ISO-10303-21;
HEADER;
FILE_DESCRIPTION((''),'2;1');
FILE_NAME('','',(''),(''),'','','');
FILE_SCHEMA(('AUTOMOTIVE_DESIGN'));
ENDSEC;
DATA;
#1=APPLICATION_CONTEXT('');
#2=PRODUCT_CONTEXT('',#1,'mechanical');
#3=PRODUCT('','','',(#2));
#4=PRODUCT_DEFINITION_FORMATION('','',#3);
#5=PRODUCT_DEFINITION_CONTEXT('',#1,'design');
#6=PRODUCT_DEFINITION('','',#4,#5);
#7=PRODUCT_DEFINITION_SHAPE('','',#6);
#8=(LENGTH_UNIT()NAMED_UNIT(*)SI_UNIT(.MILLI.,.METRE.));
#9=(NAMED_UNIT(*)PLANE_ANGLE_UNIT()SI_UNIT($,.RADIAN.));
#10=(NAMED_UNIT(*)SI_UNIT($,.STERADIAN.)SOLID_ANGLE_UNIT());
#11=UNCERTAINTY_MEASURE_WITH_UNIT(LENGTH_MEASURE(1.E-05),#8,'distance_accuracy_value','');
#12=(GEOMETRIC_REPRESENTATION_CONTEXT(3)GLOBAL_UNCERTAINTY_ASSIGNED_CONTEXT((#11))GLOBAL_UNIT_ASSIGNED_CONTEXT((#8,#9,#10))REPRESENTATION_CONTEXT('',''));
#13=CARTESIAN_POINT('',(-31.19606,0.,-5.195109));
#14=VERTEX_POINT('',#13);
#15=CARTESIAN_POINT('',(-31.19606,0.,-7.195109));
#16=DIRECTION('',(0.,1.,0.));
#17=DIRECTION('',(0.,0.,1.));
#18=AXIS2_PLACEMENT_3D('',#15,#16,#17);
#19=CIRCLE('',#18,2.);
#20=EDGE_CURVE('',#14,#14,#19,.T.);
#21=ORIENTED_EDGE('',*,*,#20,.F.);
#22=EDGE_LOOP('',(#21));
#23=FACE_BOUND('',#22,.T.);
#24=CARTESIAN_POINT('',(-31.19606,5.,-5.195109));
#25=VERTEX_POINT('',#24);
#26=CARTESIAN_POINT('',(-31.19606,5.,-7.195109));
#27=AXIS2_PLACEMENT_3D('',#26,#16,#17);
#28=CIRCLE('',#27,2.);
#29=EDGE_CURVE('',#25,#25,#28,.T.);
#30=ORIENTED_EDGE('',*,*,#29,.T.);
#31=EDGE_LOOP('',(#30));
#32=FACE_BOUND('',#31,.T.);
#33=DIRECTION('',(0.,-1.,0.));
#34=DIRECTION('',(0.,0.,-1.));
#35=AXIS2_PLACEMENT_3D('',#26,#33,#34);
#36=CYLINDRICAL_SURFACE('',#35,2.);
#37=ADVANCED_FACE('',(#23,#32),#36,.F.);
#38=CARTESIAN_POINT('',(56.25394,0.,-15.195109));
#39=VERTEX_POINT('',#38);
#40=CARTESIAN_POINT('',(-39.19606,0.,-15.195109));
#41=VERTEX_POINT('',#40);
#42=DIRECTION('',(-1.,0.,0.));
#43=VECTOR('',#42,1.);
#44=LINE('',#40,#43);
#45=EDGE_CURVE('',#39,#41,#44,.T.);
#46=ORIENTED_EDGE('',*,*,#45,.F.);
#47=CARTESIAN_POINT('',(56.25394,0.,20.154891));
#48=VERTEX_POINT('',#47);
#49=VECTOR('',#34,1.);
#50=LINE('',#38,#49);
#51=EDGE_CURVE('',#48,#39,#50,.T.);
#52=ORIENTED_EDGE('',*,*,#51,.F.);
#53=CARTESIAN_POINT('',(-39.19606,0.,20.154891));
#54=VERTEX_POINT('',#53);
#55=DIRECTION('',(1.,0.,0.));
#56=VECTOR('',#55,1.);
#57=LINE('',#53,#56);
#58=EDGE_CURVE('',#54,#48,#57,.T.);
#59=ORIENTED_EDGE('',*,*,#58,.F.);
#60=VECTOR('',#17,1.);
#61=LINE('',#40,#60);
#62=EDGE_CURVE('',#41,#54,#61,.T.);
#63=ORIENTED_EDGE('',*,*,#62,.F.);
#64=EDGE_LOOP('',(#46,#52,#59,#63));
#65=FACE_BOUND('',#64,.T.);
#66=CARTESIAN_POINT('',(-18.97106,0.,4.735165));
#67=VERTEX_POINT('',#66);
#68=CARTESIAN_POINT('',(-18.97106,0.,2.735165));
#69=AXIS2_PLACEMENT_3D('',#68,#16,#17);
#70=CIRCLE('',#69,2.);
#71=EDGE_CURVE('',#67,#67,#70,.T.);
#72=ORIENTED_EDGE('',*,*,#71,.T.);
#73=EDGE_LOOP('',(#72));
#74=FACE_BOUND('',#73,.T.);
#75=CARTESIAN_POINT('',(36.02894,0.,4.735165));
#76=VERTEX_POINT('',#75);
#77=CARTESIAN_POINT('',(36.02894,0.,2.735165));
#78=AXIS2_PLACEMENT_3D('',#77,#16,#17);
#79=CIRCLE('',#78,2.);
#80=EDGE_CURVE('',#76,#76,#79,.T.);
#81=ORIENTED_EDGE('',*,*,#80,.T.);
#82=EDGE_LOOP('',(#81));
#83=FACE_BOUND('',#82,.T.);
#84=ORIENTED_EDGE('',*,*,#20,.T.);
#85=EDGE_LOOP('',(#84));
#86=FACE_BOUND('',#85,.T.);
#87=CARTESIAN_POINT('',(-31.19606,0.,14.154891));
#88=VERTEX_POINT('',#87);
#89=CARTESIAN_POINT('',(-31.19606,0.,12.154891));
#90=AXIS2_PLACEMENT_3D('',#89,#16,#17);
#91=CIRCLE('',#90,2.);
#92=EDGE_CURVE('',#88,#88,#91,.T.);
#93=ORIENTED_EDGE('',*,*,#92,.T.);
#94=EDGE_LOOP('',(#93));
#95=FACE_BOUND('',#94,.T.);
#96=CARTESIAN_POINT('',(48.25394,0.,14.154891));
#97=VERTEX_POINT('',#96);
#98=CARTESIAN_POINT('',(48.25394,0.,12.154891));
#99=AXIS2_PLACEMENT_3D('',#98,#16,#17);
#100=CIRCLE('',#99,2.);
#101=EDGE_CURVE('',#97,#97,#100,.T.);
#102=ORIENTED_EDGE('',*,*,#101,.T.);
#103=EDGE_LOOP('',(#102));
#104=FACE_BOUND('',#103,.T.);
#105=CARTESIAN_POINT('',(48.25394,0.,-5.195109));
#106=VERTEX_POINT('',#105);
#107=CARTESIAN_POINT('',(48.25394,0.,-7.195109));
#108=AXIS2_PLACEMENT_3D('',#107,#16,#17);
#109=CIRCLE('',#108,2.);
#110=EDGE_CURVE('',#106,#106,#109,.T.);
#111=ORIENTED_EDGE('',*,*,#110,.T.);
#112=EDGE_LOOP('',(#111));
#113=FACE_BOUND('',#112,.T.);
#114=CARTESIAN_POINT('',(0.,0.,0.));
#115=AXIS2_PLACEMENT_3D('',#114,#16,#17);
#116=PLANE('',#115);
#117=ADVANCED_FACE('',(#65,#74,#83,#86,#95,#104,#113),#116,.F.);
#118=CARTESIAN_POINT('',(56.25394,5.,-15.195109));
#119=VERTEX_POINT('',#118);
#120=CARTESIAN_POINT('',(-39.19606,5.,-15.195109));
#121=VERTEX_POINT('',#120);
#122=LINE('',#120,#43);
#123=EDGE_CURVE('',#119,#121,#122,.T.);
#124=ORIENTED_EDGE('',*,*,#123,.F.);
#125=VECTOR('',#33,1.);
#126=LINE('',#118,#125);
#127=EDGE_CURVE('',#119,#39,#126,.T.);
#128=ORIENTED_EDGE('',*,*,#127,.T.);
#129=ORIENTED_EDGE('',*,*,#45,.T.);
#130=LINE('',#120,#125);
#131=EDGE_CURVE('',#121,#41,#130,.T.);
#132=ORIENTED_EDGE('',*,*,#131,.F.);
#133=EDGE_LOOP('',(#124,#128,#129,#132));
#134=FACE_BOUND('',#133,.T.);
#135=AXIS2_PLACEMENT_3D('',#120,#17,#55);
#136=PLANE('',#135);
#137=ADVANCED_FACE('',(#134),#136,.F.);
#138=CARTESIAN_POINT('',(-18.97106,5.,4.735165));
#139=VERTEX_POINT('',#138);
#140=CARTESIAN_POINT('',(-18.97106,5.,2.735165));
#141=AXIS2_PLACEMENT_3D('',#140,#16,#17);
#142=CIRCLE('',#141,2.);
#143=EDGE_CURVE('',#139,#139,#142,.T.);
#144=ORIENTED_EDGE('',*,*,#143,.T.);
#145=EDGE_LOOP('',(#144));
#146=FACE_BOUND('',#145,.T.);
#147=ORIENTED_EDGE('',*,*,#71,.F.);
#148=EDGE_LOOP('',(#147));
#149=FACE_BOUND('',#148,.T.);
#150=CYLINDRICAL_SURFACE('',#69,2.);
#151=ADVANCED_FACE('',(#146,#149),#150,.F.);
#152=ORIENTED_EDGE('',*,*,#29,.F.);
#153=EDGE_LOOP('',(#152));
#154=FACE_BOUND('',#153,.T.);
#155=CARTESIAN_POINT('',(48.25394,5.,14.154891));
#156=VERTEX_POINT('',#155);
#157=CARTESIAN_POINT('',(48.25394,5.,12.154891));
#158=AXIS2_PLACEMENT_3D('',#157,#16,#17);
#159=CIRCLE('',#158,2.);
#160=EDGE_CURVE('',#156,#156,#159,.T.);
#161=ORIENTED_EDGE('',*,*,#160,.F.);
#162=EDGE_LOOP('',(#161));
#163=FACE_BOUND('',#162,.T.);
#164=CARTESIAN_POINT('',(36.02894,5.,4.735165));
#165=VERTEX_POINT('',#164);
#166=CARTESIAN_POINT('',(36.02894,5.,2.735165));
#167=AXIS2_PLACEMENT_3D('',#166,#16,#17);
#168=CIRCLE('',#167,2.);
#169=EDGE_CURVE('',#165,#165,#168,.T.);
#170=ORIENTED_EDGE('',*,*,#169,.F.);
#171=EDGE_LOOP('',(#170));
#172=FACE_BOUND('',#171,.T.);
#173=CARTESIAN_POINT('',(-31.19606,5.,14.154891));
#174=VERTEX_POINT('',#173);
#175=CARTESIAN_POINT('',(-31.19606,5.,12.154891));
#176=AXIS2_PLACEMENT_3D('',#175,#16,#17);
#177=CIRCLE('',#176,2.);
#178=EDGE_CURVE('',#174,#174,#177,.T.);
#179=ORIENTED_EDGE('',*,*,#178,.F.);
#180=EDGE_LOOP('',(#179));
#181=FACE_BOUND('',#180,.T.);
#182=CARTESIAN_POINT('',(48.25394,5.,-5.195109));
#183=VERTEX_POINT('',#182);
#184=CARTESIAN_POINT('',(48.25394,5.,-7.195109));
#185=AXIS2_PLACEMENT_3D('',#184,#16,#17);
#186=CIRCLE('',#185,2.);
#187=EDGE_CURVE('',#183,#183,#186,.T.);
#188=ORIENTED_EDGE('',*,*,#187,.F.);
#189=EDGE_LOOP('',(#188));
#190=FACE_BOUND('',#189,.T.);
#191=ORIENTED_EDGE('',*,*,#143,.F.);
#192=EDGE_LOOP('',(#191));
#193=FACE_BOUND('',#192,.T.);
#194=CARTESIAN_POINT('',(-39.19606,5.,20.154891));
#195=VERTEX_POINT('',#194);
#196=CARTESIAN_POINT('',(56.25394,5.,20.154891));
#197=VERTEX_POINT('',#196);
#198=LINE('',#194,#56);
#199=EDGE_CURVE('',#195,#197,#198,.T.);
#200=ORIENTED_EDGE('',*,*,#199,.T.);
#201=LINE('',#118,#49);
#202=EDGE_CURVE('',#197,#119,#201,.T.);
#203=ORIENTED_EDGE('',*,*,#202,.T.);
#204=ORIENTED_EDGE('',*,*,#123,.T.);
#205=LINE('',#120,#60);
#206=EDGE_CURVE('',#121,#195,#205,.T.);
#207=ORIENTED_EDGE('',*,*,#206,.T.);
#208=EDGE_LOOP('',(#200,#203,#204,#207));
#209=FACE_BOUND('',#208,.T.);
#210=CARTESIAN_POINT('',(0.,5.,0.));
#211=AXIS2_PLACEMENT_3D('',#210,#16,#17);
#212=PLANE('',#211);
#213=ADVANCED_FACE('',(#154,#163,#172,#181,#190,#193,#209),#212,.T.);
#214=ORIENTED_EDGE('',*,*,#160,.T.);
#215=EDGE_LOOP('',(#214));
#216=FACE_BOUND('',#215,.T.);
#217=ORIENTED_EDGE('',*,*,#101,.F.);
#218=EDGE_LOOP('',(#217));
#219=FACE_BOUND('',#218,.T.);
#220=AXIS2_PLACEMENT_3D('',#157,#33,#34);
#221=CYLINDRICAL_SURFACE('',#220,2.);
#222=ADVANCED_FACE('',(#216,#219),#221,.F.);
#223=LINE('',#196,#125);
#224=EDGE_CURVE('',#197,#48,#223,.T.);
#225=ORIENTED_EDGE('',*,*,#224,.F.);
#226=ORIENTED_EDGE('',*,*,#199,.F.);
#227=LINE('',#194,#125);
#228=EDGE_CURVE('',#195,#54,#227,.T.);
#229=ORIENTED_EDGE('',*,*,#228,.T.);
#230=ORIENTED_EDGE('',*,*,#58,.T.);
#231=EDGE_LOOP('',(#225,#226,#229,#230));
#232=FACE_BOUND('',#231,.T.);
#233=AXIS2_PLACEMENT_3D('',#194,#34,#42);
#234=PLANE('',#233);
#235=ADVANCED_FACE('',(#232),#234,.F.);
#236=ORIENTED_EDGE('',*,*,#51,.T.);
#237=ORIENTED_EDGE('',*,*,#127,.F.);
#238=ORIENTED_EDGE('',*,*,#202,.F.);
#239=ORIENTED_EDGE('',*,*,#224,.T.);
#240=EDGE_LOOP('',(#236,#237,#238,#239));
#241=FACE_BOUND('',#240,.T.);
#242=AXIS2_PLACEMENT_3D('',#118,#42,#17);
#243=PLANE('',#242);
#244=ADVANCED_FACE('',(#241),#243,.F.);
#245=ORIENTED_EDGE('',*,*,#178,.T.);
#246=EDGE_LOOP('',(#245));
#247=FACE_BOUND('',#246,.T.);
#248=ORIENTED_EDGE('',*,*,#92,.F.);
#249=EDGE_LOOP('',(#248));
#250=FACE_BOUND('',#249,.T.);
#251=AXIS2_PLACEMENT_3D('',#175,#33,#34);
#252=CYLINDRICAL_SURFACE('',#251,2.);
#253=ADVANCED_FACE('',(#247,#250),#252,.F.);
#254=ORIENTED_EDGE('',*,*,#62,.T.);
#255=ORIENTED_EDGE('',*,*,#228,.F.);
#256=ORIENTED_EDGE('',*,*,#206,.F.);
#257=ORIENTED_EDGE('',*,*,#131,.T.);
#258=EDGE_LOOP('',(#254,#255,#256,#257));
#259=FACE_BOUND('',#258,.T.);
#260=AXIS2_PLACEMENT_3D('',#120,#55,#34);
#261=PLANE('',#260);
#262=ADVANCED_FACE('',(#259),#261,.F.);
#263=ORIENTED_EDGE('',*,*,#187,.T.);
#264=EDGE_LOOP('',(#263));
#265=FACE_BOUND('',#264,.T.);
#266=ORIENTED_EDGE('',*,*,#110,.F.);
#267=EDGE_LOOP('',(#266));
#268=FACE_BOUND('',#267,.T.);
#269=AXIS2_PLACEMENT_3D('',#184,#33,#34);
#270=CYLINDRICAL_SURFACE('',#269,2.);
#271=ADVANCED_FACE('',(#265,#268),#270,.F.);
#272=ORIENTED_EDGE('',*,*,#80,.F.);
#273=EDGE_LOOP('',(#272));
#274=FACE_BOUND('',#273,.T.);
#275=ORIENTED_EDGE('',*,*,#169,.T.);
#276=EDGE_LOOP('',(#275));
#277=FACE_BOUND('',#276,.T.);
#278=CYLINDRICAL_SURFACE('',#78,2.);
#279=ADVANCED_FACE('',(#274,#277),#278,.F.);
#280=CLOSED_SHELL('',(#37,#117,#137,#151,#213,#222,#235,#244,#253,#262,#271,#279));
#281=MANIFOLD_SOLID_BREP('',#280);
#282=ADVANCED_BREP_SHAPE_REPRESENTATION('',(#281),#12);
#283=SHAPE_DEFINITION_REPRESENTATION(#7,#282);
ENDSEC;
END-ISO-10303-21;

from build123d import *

# Parameters (mm, degrees)
SKETCH_1_W          = 95.45
SKETCH_1_H          = 35.35
SKETCH_1_R          = 2
EXTRUDE_1_DEPTH     = 5
SKETCH_2_R          = 2
CUT_EXTRUDE_1_DEPTH = 5


with BuildPart() as part:
    # 草图1 → 凸台-拉伸1 (new body)
    with BuildSketch(Plane(origin=(0, 0, 0), x_dir=(1, 0, 0), z_dir=(0, 1, 0))):
        with Locations((8.528940217, -2.479891304)):
            Rectangle(SKETCH_1_W, SKETCH_1_H)
        with Locations(Location((-31.196059783, 7.195108696, 0), (0, 0, 270))):
            Circle(SKETCH_1_R, mode=Mode.SUBTRACT)
        with Locations(Location((-31.196059783, -12.154891304, 0), (0, 0, 270))):
            Circle(SKETCH_1_R, mode=Mode.SUBTRACT)
        with Locations(Location((48.253940217, 7.195108696, 0), (0, 0, 270))):
            Circle(SKETCH_1_R, mode=Mode.SUBTRACT)
        with Locations(Location((48.253940217, -12.154891304, 0), (0, 0, 270))):
            Circle(SKETCH_1_R, mode=Mode.SUBTRACT)
    extrude(amount=EXTRUDE_1_DEPTH)

    # 草图2 → 切除-拉伸1 (cut)
    with BuildSketch(Plane(origin=(0, 5, 0), x_dir=(1, 0, 0), z_dir=(0, 1, 0))):
        with Locations(Location((-18.971059783, -2.735165491, 0), (0, 0, 270))):
            Circle(SKETCH_2_R)
        with Locations(Location((36.028940217, -2.735165491, 0), (0, 0, 270))):
            Circle(SKETCH_2_R)
    extrude(amount=-CUT_EXTRUDE_1_DEPTH, mode=Mode.SUBTRACT)


solid = part.part
